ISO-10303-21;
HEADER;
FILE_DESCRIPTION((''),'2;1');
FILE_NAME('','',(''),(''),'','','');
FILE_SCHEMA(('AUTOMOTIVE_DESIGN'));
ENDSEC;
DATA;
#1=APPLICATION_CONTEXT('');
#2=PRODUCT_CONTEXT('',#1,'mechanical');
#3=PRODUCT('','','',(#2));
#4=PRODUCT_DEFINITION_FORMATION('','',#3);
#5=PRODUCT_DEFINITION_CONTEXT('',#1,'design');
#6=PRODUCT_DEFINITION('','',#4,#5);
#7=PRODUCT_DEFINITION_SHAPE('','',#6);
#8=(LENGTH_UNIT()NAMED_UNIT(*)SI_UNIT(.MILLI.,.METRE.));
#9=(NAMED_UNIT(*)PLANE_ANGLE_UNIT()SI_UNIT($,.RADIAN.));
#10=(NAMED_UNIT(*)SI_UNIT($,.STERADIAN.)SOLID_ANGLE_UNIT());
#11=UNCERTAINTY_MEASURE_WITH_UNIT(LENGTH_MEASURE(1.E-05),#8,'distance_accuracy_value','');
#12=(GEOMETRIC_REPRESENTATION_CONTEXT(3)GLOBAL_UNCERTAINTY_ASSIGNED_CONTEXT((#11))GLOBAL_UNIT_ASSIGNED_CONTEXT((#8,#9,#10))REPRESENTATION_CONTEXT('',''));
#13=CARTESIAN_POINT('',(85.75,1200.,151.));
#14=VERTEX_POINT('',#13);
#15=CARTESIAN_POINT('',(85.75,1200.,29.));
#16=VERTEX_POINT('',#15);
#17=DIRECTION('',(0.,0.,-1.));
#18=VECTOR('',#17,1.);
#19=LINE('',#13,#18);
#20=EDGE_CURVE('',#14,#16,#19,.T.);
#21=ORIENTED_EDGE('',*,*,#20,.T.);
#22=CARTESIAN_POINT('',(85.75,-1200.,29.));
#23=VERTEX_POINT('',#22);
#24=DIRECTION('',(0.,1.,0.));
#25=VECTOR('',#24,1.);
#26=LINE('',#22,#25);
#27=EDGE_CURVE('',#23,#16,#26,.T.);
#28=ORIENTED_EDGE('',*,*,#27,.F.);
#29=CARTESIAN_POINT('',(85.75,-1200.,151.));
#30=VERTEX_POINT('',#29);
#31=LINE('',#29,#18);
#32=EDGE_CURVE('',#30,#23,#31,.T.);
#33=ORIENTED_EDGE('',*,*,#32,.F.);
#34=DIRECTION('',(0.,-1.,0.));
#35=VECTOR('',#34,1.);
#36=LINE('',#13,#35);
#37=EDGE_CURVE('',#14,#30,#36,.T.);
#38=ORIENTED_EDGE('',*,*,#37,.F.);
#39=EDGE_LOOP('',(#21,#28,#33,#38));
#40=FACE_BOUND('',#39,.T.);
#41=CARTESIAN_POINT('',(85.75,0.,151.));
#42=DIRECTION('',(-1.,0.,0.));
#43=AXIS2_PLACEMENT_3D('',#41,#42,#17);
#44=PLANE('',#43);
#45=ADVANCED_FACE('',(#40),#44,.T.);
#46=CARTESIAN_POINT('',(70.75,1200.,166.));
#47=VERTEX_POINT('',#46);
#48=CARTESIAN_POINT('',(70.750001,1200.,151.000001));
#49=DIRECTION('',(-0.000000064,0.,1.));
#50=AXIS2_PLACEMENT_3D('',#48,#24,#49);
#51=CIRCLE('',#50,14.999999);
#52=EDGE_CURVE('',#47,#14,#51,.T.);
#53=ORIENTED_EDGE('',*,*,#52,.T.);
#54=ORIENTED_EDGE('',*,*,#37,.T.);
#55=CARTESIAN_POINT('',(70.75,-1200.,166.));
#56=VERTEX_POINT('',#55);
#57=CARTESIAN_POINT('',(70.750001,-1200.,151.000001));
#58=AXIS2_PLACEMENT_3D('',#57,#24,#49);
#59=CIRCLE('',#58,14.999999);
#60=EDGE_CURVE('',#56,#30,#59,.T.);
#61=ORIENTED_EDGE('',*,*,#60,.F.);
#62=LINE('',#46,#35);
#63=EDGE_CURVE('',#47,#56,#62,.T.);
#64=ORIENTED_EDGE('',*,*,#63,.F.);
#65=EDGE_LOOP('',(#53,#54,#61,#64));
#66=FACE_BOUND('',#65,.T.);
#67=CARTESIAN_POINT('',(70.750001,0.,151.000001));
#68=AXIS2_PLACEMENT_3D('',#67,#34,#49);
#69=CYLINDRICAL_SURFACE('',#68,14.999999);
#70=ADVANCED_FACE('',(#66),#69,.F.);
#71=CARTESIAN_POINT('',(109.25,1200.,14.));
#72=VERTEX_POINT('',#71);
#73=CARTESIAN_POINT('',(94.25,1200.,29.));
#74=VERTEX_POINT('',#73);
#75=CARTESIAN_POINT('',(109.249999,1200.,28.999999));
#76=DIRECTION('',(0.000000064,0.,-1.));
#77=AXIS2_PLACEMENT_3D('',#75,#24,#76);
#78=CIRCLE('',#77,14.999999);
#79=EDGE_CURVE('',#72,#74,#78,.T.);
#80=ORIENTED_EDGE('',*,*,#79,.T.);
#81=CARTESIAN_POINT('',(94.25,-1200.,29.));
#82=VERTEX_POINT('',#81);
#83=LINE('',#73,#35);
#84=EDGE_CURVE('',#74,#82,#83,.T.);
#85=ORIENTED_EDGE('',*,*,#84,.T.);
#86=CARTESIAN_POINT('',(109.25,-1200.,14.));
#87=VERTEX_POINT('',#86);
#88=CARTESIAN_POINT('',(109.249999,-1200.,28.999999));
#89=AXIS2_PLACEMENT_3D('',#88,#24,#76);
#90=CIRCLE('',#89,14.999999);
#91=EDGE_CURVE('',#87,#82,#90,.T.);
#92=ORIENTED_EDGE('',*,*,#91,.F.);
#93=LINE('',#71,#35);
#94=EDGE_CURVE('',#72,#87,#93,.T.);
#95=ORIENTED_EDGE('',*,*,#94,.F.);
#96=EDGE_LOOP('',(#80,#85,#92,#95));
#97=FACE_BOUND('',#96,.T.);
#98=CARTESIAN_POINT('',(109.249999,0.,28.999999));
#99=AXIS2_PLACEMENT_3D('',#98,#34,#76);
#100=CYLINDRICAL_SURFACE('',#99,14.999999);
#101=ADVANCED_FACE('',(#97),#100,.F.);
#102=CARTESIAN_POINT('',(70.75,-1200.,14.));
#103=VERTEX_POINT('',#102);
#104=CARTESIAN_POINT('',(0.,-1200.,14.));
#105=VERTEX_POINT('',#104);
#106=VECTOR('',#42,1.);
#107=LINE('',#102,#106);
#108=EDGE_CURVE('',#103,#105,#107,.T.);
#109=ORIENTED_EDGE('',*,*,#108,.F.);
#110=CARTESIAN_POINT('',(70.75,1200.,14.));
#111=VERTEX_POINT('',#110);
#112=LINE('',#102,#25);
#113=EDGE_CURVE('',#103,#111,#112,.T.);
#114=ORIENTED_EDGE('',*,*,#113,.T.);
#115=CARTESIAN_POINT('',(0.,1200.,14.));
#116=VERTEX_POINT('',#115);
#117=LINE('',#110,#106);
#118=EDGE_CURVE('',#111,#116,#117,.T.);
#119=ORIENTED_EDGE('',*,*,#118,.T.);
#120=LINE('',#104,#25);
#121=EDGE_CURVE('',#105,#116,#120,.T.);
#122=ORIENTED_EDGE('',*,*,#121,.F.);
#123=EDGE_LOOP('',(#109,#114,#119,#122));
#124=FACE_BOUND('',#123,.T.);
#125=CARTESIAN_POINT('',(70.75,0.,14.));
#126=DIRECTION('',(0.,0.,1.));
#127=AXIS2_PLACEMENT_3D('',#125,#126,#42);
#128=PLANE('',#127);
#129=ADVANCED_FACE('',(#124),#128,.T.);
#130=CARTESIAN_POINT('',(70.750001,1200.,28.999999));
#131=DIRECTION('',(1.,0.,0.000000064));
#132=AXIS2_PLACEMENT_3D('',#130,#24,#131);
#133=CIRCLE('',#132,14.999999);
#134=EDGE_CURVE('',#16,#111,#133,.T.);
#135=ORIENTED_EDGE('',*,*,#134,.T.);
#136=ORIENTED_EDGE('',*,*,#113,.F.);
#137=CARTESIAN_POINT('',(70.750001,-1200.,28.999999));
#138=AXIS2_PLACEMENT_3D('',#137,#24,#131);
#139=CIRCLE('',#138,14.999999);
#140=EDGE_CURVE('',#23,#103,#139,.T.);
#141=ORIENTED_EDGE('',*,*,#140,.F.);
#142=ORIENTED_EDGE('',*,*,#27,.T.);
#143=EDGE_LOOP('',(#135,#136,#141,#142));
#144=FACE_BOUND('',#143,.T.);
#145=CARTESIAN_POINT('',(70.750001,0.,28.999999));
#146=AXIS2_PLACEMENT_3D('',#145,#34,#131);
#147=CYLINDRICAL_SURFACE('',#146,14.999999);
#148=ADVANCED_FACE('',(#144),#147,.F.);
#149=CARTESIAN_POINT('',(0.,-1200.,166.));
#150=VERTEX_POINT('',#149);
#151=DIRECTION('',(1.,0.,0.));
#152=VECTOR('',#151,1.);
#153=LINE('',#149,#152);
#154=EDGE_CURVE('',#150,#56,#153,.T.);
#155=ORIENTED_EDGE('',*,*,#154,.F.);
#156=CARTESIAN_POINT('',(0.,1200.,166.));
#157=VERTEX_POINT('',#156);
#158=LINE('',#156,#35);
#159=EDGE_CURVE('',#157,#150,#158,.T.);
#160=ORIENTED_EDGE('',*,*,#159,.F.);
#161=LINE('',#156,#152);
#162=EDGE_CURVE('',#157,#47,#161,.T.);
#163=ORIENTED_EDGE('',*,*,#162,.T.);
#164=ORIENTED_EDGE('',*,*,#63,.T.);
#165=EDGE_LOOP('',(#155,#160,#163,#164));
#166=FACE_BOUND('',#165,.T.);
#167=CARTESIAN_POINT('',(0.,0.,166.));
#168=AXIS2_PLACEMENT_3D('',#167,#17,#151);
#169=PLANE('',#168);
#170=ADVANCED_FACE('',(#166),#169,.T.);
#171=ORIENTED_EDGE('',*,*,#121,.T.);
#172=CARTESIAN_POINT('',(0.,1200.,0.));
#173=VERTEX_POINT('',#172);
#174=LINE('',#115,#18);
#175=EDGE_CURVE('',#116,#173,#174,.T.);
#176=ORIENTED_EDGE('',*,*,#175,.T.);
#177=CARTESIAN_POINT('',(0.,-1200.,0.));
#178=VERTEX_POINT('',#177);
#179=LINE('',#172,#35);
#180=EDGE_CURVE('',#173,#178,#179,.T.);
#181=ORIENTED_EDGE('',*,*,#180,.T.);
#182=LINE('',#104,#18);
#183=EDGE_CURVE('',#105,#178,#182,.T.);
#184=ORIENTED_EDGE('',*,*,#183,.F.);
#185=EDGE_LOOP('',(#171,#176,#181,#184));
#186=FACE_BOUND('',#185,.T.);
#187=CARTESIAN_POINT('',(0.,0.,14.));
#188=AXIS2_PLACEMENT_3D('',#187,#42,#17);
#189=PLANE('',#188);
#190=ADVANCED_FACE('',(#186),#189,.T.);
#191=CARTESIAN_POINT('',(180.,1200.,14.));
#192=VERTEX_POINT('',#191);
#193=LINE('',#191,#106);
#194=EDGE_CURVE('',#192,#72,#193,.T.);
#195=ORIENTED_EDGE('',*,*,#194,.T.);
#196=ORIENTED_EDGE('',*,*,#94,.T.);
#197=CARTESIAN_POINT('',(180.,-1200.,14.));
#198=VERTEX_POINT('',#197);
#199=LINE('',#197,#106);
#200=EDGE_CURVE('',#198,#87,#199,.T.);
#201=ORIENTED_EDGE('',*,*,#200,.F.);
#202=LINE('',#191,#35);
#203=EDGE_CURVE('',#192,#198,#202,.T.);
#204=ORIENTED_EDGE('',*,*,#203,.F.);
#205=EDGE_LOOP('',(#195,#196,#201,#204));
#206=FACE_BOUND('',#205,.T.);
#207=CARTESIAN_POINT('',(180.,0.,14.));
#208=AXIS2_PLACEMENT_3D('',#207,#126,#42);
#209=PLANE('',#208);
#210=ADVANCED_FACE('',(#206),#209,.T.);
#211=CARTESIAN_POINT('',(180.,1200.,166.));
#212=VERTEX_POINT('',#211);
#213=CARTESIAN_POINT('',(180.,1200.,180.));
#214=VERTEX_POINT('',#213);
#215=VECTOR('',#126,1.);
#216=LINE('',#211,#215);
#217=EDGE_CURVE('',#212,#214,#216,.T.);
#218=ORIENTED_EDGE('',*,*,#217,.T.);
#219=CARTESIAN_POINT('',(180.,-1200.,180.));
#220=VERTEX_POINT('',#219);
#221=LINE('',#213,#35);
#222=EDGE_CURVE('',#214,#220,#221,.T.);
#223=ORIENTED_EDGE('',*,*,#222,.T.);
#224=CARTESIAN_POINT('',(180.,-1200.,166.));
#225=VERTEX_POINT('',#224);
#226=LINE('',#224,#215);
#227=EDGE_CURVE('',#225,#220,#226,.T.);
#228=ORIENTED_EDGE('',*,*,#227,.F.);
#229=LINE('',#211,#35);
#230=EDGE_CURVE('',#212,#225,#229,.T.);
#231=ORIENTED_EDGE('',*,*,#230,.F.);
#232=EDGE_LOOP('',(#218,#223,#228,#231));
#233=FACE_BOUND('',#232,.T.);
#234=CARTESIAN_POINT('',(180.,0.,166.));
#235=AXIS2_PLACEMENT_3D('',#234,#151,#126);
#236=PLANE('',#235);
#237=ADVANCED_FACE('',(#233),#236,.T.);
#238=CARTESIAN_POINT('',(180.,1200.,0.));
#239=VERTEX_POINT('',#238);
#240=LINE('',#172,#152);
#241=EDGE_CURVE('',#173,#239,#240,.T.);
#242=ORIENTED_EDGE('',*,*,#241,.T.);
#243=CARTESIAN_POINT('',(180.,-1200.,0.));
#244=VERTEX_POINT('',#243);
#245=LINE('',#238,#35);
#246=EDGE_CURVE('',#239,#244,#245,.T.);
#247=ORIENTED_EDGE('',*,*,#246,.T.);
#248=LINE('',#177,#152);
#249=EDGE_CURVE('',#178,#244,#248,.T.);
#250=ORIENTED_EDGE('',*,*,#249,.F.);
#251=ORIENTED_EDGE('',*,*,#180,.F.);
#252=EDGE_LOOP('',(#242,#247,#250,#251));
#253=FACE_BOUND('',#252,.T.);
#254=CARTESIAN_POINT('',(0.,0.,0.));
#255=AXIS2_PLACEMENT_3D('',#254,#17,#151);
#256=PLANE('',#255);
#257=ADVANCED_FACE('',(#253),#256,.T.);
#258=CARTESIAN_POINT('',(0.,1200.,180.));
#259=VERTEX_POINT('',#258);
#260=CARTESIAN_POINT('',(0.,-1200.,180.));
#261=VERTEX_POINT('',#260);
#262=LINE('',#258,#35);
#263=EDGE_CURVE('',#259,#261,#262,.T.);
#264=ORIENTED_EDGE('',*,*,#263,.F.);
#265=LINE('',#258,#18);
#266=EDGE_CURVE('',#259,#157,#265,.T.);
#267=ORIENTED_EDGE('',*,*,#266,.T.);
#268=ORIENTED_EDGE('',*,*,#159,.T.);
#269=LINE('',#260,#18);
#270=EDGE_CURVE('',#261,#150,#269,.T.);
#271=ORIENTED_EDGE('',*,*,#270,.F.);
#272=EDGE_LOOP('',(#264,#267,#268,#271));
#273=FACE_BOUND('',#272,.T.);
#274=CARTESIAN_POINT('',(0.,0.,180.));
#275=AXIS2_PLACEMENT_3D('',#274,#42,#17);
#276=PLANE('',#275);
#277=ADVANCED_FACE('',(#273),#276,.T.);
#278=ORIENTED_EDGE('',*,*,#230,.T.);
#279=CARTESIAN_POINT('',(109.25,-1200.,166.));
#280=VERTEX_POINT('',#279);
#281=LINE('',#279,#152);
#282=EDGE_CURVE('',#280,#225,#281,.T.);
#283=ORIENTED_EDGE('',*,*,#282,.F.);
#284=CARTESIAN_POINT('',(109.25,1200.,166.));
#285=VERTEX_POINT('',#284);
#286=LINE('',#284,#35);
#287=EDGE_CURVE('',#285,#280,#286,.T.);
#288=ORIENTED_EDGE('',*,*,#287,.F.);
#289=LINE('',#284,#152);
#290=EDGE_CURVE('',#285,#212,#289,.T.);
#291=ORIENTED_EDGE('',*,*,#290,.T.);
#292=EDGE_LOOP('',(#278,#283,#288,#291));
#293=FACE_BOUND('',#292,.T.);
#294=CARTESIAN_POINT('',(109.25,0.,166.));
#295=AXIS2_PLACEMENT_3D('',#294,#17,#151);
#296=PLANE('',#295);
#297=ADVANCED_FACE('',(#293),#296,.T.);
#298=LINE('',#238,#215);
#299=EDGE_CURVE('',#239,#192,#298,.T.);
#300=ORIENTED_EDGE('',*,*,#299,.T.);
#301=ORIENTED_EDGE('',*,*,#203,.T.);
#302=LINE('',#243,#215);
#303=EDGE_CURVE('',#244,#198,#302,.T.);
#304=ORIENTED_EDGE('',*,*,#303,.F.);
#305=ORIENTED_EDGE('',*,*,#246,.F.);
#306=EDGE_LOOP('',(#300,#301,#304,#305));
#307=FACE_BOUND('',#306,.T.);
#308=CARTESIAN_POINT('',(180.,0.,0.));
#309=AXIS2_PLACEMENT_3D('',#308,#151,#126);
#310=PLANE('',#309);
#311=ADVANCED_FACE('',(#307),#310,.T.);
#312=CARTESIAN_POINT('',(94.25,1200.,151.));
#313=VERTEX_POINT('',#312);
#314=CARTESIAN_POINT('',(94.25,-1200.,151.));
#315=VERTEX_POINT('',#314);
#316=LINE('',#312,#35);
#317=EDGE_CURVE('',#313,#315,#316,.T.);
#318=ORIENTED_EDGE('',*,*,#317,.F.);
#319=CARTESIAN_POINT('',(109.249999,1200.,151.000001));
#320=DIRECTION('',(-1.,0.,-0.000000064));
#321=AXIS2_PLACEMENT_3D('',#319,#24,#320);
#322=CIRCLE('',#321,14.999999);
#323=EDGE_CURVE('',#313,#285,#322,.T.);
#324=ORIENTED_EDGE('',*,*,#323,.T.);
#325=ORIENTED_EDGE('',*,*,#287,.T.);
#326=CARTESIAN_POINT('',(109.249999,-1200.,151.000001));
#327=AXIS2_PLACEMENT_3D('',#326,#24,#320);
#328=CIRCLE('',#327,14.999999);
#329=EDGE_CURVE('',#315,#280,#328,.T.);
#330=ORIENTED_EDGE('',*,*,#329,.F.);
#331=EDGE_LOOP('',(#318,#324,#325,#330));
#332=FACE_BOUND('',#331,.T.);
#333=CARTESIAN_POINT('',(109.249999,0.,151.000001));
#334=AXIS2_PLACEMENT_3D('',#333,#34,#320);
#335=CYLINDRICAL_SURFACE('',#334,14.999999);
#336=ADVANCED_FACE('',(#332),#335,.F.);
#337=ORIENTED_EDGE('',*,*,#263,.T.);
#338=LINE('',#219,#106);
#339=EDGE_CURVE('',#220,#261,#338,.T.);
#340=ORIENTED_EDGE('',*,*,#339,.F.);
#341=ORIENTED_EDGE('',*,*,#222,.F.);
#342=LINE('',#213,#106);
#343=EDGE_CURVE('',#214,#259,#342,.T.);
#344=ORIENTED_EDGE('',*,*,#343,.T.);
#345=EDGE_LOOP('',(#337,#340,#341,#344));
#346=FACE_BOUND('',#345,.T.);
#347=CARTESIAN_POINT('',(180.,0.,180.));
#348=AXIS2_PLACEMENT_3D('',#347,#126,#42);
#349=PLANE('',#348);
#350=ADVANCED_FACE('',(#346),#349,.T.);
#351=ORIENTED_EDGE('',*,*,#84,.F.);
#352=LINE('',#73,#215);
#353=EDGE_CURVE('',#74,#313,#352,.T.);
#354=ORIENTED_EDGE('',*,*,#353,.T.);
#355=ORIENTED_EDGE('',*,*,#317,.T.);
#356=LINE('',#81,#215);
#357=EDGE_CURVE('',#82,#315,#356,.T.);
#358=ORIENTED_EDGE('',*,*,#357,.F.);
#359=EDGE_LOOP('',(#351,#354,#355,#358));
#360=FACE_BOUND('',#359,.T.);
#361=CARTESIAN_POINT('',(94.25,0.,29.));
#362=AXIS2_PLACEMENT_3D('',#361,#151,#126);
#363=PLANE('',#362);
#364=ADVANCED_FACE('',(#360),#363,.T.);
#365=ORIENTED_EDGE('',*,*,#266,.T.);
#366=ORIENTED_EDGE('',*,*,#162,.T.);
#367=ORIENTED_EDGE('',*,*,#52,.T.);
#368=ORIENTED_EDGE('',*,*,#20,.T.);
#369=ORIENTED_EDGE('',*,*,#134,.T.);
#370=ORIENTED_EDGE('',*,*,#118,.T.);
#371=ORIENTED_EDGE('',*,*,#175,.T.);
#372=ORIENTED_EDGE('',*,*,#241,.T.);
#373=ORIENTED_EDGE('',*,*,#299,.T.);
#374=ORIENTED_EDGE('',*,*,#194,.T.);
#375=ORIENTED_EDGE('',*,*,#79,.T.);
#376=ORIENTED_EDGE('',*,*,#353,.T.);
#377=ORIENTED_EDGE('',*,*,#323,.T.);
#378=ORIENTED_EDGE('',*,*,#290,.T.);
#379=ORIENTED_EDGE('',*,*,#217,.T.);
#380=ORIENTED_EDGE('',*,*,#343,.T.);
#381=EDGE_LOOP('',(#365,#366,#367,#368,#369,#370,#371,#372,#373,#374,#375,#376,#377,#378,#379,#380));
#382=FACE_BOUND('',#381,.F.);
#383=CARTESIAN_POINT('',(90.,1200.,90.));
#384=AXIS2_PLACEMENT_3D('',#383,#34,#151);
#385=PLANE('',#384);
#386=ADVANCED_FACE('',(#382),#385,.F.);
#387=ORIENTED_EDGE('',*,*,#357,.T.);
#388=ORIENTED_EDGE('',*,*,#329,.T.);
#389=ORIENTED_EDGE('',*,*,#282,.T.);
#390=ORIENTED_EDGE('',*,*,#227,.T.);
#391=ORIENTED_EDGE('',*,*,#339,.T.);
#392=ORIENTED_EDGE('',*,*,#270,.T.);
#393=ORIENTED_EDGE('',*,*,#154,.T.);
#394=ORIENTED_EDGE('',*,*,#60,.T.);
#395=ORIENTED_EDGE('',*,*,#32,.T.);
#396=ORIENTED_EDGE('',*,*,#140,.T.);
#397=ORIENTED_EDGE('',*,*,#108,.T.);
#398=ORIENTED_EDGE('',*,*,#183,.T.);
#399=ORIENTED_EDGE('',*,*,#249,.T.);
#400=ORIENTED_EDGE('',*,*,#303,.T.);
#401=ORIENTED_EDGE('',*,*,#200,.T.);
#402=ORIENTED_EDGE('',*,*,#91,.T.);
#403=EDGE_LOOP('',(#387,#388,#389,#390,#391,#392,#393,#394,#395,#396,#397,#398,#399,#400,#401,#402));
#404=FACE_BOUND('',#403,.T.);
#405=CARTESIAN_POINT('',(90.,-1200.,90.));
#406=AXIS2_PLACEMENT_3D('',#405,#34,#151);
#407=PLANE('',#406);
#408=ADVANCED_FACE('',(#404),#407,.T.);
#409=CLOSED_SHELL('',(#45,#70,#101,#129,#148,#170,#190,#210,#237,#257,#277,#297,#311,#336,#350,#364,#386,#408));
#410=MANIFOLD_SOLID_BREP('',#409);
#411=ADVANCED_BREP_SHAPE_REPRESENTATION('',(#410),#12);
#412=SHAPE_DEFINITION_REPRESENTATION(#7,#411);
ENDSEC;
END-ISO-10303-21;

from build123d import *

# Parameters (mm, degrees)
F1_DEPTH = 1200


with BuildPart() as f1:
    # F0 (on Front) → F1 (new body, symmetric)
    with BuildSketch(Plane.XZ):
        with BuildLine():
            Line((0, 14), (0, 0))
            Line((0, 0), (180, 0))
            Line((180, 0), (180, 14))
            Line((180, 14), (109.25, 14))
            ThreePointArc((109.25, 14), (98.643398, 18.393398), (94.25, 29))
            Line((94.25, 29), (94.25, 151))
            ThreePointArc((94.25, 151), (98.643398, 161.606602), (109.25, 166))
            Line((109.25, 166), (180, 166))
            Line((180, 166), (180, 180))
            Line((180, 180), (0, 180))
            Line((0, 180), (0, 166))
            Line((0, 166), (70.75, 166))
            ThreePointArc((70.75, 166), (81.356602, 161.606602), (85.75, 151))
            Line((85.75, 151), (85.75, 29))
            ThreePointArc((85.75, 29), (81.356602, 18.393398), (70.75, 14))
            Line((70.75, 14), (0, 14))
        make_face()
    extrude(amount=F1_DEPTH, both=True)


solid = f1.part
